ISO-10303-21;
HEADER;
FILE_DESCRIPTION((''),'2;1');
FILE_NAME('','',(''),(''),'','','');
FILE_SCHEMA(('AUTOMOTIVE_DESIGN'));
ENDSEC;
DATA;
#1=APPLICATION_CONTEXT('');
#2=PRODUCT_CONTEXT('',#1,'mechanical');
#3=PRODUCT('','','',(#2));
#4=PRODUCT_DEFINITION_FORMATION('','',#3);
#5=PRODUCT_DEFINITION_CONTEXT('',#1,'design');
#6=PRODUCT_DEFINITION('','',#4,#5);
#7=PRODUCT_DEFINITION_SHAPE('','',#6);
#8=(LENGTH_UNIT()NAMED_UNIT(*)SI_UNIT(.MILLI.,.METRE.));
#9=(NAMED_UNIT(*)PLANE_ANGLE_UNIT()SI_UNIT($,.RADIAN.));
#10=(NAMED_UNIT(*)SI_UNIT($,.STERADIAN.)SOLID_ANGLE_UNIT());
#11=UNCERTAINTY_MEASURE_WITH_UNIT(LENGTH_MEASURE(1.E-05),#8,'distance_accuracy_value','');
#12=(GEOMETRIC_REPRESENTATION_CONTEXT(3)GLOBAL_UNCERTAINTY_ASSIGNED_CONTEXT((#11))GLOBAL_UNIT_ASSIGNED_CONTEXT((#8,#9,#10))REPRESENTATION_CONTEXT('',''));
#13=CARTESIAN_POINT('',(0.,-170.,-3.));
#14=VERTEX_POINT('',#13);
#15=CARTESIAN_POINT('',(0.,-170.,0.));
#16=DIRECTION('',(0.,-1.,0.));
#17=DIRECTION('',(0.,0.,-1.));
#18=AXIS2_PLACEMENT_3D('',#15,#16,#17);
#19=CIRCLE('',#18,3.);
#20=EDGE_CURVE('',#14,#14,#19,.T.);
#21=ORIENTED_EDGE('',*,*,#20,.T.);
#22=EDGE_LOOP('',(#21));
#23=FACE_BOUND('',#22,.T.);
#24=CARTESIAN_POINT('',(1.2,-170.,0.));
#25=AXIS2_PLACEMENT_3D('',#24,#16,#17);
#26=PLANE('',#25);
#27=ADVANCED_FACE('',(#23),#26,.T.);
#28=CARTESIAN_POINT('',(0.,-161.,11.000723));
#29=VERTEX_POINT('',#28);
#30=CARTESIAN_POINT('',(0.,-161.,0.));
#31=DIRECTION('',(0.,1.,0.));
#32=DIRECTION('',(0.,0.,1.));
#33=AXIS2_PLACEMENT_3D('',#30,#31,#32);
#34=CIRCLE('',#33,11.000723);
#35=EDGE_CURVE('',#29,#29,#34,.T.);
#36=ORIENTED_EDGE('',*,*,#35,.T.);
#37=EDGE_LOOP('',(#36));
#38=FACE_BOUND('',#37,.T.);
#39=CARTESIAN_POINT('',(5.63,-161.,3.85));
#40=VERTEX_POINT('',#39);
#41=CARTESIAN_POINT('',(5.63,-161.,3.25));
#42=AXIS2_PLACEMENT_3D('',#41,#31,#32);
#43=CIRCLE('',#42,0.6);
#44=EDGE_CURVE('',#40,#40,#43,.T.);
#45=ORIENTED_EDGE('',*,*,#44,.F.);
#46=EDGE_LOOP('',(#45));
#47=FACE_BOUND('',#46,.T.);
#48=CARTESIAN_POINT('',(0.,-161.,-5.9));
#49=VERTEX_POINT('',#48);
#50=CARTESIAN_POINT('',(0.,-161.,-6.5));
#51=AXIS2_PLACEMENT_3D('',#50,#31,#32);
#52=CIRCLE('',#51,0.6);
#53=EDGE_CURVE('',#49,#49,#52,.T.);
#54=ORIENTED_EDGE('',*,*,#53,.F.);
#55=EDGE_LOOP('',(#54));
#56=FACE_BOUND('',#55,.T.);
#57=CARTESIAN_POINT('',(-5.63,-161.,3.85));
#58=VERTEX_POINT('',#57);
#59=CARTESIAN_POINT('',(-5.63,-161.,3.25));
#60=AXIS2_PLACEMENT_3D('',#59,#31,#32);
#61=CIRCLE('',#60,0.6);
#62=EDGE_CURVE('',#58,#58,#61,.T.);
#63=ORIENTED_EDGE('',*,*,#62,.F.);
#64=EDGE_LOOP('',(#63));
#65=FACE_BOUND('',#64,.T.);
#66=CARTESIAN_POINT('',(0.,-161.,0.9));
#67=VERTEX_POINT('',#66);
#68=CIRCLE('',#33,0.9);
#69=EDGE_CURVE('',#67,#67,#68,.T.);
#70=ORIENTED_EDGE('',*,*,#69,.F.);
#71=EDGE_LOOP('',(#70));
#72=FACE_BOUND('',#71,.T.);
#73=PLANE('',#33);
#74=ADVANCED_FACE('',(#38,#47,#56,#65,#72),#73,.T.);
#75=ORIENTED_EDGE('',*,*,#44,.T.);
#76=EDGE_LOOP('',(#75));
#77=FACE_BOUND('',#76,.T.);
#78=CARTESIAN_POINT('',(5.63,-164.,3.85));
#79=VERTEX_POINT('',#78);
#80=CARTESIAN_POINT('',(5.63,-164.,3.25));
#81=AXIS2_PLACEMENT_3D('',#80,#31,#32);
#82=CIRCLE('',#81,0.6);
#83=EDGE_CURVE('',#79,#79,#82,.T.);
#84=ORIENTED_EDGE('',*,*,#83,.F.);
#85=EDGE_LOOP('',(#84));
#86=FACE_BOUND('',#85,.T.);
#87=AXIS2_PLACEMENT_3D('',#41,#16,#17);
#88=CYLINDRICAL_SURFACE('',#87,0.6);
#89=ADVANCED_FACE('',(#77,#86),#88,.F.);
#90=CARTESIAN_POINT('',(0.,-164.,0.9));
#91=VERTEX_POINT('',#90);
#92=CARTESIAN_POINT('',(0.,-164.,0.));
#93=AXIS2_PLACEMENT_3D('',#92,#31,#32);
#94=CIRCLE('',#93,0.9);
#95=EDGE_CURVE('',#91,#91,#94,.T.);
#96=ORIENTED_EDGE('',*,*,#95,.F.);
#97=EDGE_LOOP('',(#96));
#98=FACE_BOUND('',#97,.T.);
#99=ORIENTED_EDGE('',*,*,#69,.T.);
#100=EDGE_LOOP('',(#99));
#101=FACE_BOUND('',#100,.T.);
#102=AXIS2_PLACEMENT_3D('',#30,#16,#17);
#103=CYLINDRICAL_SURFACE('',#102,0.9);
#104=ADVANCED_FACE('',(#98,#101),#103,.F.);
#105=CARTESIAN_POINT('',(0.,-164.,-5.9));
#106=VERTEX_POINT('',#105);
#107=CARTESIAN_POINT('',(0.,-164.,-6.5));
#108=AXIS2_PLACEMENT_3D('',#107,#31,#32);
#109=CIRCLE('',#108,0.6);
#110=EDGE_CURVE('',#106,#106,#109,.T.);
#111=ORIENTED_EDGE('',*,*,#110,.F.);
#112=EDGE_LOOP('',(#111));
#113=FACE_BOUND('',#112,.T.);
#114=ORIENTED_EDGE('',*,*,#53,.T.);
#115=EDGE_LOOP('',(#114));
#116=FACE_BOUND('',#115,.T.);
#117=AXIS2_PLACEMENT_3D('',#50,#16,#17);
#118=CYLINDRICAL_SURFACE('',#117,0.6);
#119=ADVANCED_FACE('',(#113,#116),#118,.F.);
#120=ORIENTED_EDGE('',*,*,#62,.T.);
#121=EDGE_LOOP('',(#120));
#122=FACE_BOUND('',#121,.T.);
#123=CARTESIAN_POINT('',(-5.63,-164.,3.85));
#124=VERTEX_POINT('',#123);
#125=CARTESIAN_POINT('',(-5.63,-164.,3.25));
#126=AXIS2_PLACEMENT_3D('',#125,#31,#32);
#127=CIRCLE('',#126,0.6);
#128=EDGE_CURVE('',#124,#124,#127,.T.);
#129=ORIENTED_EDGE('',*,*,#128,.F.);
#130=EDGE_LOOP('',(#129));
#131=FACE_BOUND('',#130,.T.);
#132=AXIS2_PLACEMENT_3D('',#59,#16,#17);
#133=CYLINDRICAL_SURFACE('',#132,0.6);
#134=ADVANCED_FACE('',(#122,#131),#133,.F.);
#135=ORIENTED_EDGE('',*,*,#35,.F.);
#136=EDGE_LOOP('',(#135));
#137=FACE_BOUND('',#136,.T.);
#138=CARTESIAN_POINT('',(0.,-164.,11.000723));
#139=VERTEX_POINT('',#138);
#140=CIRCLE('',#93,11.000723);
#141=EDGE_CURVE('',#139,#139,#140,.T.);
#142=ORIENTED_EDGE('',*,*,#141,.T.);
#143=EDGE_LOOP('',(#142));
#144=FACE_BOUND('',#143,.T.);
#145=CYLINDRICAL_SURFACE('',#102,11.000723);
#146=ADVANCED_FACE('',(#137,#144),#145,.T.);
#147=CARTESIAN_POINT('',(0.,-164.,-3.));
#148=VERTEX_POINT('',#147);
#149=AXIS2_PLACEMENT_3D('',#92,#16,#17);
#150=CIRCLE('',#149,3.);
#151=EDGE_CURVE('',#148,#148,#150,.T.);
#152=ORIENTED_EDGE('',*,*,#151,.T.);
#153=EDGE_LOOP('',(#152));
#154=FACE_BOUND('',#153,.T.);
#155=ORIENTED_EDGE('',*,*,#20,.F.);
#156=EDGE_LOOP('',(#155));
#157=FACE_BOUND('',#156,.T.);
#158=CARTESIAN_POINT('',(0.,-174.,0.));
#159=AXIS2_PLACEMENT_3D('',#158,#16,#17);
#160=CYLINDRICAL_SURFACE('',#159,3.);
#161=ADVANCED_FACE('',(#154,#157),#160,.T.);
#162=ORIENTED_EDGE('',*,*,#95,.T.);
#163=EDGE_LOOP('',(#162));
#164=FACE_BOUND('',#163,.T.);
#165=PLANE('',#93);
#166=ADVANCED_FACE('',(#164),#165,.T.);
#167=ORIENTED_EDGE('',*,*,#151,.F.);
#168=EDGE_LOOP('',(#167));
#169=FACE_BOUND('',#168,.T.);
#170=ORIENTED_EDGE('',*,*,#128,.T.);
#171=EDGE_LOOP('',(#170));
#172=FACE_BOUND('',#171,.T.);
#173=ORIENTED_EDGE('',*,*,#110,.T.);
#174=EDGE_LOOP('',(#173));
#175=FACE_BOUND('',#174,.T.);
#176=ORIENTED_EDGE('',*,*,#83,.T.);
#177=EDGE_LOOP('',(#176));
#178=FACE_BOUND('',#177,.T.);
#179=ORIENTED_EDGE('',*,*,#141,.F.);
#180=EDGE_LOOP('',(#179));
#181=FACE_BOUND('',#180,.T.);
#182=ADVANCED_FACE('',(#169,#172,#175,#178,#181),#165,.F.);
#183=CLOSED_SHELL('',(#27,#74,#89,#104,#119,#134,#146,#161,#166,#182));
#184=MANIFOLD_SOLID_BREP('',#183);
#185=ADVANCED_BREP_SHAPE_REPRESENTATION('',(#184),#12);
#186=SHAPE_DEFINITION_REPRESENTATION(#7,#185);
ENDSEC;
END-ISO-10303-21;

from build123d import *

# Parameters (mm, degrees)
SKETCH1_R               = 11.000723037
SKETCH1_R_2             = 0.9
SKETCH1_R_3             = 0.6
DISCO_APONEUROSIS_DEPTH = 3


with BuildPart() as part:
    # Sketch1 → Disco_aponeurosis (new body)
    with BuildSketch(Plane(origin=(0, -164, 0), x_dir=(1, 0, 0), z_dir=(0, 1, 0))):
        with Locations(Location((0, 0, 0), (0, 0, 270))):
            Circle(SKETCH1_R)
        with Locations(Location((0, 0, 0), (0, 0, 270))):
            Circle(SKETCH1_R_2, mode=Mode.SUBTRACT)
        with Locations(Location((0, 6.5, 0), (0, 0, 270))):
            Circle(SKETCH1_R_3, mode=Mode.SUBTRACT)
        with Locations(Location((-5.63, -3.25, 0), (0, 0, 270))):
            Circle(SKETCH1_R_3, mode=Mode.SUBTRACT)
        with Locations(Location((5.63, -3.25, 0), (0, 0, 270))):
            Circle(SKETCH1_R_3, mode=Mode.SUBTRACT)
    extrude(amount=DISCO_APONEUROSIS_DEPTH)

    # Sketch2 → Boca_tendon (revolve)
    with BuildSketch(Plane.XY, mode=Mode.PRIVATE) as boca_tendon_sk:
        Polygon((0, -164), (3, -164), (3, -170), (1.2, -170), (0, -170), align=None)
    revolve(boca_tendon_sk.sketch.rotate(Axis((0, -174, 0), (0, 1, 0)), 90), axis=Axis((0, -174, 0), (0, 1, 0)))


solid = part.part
